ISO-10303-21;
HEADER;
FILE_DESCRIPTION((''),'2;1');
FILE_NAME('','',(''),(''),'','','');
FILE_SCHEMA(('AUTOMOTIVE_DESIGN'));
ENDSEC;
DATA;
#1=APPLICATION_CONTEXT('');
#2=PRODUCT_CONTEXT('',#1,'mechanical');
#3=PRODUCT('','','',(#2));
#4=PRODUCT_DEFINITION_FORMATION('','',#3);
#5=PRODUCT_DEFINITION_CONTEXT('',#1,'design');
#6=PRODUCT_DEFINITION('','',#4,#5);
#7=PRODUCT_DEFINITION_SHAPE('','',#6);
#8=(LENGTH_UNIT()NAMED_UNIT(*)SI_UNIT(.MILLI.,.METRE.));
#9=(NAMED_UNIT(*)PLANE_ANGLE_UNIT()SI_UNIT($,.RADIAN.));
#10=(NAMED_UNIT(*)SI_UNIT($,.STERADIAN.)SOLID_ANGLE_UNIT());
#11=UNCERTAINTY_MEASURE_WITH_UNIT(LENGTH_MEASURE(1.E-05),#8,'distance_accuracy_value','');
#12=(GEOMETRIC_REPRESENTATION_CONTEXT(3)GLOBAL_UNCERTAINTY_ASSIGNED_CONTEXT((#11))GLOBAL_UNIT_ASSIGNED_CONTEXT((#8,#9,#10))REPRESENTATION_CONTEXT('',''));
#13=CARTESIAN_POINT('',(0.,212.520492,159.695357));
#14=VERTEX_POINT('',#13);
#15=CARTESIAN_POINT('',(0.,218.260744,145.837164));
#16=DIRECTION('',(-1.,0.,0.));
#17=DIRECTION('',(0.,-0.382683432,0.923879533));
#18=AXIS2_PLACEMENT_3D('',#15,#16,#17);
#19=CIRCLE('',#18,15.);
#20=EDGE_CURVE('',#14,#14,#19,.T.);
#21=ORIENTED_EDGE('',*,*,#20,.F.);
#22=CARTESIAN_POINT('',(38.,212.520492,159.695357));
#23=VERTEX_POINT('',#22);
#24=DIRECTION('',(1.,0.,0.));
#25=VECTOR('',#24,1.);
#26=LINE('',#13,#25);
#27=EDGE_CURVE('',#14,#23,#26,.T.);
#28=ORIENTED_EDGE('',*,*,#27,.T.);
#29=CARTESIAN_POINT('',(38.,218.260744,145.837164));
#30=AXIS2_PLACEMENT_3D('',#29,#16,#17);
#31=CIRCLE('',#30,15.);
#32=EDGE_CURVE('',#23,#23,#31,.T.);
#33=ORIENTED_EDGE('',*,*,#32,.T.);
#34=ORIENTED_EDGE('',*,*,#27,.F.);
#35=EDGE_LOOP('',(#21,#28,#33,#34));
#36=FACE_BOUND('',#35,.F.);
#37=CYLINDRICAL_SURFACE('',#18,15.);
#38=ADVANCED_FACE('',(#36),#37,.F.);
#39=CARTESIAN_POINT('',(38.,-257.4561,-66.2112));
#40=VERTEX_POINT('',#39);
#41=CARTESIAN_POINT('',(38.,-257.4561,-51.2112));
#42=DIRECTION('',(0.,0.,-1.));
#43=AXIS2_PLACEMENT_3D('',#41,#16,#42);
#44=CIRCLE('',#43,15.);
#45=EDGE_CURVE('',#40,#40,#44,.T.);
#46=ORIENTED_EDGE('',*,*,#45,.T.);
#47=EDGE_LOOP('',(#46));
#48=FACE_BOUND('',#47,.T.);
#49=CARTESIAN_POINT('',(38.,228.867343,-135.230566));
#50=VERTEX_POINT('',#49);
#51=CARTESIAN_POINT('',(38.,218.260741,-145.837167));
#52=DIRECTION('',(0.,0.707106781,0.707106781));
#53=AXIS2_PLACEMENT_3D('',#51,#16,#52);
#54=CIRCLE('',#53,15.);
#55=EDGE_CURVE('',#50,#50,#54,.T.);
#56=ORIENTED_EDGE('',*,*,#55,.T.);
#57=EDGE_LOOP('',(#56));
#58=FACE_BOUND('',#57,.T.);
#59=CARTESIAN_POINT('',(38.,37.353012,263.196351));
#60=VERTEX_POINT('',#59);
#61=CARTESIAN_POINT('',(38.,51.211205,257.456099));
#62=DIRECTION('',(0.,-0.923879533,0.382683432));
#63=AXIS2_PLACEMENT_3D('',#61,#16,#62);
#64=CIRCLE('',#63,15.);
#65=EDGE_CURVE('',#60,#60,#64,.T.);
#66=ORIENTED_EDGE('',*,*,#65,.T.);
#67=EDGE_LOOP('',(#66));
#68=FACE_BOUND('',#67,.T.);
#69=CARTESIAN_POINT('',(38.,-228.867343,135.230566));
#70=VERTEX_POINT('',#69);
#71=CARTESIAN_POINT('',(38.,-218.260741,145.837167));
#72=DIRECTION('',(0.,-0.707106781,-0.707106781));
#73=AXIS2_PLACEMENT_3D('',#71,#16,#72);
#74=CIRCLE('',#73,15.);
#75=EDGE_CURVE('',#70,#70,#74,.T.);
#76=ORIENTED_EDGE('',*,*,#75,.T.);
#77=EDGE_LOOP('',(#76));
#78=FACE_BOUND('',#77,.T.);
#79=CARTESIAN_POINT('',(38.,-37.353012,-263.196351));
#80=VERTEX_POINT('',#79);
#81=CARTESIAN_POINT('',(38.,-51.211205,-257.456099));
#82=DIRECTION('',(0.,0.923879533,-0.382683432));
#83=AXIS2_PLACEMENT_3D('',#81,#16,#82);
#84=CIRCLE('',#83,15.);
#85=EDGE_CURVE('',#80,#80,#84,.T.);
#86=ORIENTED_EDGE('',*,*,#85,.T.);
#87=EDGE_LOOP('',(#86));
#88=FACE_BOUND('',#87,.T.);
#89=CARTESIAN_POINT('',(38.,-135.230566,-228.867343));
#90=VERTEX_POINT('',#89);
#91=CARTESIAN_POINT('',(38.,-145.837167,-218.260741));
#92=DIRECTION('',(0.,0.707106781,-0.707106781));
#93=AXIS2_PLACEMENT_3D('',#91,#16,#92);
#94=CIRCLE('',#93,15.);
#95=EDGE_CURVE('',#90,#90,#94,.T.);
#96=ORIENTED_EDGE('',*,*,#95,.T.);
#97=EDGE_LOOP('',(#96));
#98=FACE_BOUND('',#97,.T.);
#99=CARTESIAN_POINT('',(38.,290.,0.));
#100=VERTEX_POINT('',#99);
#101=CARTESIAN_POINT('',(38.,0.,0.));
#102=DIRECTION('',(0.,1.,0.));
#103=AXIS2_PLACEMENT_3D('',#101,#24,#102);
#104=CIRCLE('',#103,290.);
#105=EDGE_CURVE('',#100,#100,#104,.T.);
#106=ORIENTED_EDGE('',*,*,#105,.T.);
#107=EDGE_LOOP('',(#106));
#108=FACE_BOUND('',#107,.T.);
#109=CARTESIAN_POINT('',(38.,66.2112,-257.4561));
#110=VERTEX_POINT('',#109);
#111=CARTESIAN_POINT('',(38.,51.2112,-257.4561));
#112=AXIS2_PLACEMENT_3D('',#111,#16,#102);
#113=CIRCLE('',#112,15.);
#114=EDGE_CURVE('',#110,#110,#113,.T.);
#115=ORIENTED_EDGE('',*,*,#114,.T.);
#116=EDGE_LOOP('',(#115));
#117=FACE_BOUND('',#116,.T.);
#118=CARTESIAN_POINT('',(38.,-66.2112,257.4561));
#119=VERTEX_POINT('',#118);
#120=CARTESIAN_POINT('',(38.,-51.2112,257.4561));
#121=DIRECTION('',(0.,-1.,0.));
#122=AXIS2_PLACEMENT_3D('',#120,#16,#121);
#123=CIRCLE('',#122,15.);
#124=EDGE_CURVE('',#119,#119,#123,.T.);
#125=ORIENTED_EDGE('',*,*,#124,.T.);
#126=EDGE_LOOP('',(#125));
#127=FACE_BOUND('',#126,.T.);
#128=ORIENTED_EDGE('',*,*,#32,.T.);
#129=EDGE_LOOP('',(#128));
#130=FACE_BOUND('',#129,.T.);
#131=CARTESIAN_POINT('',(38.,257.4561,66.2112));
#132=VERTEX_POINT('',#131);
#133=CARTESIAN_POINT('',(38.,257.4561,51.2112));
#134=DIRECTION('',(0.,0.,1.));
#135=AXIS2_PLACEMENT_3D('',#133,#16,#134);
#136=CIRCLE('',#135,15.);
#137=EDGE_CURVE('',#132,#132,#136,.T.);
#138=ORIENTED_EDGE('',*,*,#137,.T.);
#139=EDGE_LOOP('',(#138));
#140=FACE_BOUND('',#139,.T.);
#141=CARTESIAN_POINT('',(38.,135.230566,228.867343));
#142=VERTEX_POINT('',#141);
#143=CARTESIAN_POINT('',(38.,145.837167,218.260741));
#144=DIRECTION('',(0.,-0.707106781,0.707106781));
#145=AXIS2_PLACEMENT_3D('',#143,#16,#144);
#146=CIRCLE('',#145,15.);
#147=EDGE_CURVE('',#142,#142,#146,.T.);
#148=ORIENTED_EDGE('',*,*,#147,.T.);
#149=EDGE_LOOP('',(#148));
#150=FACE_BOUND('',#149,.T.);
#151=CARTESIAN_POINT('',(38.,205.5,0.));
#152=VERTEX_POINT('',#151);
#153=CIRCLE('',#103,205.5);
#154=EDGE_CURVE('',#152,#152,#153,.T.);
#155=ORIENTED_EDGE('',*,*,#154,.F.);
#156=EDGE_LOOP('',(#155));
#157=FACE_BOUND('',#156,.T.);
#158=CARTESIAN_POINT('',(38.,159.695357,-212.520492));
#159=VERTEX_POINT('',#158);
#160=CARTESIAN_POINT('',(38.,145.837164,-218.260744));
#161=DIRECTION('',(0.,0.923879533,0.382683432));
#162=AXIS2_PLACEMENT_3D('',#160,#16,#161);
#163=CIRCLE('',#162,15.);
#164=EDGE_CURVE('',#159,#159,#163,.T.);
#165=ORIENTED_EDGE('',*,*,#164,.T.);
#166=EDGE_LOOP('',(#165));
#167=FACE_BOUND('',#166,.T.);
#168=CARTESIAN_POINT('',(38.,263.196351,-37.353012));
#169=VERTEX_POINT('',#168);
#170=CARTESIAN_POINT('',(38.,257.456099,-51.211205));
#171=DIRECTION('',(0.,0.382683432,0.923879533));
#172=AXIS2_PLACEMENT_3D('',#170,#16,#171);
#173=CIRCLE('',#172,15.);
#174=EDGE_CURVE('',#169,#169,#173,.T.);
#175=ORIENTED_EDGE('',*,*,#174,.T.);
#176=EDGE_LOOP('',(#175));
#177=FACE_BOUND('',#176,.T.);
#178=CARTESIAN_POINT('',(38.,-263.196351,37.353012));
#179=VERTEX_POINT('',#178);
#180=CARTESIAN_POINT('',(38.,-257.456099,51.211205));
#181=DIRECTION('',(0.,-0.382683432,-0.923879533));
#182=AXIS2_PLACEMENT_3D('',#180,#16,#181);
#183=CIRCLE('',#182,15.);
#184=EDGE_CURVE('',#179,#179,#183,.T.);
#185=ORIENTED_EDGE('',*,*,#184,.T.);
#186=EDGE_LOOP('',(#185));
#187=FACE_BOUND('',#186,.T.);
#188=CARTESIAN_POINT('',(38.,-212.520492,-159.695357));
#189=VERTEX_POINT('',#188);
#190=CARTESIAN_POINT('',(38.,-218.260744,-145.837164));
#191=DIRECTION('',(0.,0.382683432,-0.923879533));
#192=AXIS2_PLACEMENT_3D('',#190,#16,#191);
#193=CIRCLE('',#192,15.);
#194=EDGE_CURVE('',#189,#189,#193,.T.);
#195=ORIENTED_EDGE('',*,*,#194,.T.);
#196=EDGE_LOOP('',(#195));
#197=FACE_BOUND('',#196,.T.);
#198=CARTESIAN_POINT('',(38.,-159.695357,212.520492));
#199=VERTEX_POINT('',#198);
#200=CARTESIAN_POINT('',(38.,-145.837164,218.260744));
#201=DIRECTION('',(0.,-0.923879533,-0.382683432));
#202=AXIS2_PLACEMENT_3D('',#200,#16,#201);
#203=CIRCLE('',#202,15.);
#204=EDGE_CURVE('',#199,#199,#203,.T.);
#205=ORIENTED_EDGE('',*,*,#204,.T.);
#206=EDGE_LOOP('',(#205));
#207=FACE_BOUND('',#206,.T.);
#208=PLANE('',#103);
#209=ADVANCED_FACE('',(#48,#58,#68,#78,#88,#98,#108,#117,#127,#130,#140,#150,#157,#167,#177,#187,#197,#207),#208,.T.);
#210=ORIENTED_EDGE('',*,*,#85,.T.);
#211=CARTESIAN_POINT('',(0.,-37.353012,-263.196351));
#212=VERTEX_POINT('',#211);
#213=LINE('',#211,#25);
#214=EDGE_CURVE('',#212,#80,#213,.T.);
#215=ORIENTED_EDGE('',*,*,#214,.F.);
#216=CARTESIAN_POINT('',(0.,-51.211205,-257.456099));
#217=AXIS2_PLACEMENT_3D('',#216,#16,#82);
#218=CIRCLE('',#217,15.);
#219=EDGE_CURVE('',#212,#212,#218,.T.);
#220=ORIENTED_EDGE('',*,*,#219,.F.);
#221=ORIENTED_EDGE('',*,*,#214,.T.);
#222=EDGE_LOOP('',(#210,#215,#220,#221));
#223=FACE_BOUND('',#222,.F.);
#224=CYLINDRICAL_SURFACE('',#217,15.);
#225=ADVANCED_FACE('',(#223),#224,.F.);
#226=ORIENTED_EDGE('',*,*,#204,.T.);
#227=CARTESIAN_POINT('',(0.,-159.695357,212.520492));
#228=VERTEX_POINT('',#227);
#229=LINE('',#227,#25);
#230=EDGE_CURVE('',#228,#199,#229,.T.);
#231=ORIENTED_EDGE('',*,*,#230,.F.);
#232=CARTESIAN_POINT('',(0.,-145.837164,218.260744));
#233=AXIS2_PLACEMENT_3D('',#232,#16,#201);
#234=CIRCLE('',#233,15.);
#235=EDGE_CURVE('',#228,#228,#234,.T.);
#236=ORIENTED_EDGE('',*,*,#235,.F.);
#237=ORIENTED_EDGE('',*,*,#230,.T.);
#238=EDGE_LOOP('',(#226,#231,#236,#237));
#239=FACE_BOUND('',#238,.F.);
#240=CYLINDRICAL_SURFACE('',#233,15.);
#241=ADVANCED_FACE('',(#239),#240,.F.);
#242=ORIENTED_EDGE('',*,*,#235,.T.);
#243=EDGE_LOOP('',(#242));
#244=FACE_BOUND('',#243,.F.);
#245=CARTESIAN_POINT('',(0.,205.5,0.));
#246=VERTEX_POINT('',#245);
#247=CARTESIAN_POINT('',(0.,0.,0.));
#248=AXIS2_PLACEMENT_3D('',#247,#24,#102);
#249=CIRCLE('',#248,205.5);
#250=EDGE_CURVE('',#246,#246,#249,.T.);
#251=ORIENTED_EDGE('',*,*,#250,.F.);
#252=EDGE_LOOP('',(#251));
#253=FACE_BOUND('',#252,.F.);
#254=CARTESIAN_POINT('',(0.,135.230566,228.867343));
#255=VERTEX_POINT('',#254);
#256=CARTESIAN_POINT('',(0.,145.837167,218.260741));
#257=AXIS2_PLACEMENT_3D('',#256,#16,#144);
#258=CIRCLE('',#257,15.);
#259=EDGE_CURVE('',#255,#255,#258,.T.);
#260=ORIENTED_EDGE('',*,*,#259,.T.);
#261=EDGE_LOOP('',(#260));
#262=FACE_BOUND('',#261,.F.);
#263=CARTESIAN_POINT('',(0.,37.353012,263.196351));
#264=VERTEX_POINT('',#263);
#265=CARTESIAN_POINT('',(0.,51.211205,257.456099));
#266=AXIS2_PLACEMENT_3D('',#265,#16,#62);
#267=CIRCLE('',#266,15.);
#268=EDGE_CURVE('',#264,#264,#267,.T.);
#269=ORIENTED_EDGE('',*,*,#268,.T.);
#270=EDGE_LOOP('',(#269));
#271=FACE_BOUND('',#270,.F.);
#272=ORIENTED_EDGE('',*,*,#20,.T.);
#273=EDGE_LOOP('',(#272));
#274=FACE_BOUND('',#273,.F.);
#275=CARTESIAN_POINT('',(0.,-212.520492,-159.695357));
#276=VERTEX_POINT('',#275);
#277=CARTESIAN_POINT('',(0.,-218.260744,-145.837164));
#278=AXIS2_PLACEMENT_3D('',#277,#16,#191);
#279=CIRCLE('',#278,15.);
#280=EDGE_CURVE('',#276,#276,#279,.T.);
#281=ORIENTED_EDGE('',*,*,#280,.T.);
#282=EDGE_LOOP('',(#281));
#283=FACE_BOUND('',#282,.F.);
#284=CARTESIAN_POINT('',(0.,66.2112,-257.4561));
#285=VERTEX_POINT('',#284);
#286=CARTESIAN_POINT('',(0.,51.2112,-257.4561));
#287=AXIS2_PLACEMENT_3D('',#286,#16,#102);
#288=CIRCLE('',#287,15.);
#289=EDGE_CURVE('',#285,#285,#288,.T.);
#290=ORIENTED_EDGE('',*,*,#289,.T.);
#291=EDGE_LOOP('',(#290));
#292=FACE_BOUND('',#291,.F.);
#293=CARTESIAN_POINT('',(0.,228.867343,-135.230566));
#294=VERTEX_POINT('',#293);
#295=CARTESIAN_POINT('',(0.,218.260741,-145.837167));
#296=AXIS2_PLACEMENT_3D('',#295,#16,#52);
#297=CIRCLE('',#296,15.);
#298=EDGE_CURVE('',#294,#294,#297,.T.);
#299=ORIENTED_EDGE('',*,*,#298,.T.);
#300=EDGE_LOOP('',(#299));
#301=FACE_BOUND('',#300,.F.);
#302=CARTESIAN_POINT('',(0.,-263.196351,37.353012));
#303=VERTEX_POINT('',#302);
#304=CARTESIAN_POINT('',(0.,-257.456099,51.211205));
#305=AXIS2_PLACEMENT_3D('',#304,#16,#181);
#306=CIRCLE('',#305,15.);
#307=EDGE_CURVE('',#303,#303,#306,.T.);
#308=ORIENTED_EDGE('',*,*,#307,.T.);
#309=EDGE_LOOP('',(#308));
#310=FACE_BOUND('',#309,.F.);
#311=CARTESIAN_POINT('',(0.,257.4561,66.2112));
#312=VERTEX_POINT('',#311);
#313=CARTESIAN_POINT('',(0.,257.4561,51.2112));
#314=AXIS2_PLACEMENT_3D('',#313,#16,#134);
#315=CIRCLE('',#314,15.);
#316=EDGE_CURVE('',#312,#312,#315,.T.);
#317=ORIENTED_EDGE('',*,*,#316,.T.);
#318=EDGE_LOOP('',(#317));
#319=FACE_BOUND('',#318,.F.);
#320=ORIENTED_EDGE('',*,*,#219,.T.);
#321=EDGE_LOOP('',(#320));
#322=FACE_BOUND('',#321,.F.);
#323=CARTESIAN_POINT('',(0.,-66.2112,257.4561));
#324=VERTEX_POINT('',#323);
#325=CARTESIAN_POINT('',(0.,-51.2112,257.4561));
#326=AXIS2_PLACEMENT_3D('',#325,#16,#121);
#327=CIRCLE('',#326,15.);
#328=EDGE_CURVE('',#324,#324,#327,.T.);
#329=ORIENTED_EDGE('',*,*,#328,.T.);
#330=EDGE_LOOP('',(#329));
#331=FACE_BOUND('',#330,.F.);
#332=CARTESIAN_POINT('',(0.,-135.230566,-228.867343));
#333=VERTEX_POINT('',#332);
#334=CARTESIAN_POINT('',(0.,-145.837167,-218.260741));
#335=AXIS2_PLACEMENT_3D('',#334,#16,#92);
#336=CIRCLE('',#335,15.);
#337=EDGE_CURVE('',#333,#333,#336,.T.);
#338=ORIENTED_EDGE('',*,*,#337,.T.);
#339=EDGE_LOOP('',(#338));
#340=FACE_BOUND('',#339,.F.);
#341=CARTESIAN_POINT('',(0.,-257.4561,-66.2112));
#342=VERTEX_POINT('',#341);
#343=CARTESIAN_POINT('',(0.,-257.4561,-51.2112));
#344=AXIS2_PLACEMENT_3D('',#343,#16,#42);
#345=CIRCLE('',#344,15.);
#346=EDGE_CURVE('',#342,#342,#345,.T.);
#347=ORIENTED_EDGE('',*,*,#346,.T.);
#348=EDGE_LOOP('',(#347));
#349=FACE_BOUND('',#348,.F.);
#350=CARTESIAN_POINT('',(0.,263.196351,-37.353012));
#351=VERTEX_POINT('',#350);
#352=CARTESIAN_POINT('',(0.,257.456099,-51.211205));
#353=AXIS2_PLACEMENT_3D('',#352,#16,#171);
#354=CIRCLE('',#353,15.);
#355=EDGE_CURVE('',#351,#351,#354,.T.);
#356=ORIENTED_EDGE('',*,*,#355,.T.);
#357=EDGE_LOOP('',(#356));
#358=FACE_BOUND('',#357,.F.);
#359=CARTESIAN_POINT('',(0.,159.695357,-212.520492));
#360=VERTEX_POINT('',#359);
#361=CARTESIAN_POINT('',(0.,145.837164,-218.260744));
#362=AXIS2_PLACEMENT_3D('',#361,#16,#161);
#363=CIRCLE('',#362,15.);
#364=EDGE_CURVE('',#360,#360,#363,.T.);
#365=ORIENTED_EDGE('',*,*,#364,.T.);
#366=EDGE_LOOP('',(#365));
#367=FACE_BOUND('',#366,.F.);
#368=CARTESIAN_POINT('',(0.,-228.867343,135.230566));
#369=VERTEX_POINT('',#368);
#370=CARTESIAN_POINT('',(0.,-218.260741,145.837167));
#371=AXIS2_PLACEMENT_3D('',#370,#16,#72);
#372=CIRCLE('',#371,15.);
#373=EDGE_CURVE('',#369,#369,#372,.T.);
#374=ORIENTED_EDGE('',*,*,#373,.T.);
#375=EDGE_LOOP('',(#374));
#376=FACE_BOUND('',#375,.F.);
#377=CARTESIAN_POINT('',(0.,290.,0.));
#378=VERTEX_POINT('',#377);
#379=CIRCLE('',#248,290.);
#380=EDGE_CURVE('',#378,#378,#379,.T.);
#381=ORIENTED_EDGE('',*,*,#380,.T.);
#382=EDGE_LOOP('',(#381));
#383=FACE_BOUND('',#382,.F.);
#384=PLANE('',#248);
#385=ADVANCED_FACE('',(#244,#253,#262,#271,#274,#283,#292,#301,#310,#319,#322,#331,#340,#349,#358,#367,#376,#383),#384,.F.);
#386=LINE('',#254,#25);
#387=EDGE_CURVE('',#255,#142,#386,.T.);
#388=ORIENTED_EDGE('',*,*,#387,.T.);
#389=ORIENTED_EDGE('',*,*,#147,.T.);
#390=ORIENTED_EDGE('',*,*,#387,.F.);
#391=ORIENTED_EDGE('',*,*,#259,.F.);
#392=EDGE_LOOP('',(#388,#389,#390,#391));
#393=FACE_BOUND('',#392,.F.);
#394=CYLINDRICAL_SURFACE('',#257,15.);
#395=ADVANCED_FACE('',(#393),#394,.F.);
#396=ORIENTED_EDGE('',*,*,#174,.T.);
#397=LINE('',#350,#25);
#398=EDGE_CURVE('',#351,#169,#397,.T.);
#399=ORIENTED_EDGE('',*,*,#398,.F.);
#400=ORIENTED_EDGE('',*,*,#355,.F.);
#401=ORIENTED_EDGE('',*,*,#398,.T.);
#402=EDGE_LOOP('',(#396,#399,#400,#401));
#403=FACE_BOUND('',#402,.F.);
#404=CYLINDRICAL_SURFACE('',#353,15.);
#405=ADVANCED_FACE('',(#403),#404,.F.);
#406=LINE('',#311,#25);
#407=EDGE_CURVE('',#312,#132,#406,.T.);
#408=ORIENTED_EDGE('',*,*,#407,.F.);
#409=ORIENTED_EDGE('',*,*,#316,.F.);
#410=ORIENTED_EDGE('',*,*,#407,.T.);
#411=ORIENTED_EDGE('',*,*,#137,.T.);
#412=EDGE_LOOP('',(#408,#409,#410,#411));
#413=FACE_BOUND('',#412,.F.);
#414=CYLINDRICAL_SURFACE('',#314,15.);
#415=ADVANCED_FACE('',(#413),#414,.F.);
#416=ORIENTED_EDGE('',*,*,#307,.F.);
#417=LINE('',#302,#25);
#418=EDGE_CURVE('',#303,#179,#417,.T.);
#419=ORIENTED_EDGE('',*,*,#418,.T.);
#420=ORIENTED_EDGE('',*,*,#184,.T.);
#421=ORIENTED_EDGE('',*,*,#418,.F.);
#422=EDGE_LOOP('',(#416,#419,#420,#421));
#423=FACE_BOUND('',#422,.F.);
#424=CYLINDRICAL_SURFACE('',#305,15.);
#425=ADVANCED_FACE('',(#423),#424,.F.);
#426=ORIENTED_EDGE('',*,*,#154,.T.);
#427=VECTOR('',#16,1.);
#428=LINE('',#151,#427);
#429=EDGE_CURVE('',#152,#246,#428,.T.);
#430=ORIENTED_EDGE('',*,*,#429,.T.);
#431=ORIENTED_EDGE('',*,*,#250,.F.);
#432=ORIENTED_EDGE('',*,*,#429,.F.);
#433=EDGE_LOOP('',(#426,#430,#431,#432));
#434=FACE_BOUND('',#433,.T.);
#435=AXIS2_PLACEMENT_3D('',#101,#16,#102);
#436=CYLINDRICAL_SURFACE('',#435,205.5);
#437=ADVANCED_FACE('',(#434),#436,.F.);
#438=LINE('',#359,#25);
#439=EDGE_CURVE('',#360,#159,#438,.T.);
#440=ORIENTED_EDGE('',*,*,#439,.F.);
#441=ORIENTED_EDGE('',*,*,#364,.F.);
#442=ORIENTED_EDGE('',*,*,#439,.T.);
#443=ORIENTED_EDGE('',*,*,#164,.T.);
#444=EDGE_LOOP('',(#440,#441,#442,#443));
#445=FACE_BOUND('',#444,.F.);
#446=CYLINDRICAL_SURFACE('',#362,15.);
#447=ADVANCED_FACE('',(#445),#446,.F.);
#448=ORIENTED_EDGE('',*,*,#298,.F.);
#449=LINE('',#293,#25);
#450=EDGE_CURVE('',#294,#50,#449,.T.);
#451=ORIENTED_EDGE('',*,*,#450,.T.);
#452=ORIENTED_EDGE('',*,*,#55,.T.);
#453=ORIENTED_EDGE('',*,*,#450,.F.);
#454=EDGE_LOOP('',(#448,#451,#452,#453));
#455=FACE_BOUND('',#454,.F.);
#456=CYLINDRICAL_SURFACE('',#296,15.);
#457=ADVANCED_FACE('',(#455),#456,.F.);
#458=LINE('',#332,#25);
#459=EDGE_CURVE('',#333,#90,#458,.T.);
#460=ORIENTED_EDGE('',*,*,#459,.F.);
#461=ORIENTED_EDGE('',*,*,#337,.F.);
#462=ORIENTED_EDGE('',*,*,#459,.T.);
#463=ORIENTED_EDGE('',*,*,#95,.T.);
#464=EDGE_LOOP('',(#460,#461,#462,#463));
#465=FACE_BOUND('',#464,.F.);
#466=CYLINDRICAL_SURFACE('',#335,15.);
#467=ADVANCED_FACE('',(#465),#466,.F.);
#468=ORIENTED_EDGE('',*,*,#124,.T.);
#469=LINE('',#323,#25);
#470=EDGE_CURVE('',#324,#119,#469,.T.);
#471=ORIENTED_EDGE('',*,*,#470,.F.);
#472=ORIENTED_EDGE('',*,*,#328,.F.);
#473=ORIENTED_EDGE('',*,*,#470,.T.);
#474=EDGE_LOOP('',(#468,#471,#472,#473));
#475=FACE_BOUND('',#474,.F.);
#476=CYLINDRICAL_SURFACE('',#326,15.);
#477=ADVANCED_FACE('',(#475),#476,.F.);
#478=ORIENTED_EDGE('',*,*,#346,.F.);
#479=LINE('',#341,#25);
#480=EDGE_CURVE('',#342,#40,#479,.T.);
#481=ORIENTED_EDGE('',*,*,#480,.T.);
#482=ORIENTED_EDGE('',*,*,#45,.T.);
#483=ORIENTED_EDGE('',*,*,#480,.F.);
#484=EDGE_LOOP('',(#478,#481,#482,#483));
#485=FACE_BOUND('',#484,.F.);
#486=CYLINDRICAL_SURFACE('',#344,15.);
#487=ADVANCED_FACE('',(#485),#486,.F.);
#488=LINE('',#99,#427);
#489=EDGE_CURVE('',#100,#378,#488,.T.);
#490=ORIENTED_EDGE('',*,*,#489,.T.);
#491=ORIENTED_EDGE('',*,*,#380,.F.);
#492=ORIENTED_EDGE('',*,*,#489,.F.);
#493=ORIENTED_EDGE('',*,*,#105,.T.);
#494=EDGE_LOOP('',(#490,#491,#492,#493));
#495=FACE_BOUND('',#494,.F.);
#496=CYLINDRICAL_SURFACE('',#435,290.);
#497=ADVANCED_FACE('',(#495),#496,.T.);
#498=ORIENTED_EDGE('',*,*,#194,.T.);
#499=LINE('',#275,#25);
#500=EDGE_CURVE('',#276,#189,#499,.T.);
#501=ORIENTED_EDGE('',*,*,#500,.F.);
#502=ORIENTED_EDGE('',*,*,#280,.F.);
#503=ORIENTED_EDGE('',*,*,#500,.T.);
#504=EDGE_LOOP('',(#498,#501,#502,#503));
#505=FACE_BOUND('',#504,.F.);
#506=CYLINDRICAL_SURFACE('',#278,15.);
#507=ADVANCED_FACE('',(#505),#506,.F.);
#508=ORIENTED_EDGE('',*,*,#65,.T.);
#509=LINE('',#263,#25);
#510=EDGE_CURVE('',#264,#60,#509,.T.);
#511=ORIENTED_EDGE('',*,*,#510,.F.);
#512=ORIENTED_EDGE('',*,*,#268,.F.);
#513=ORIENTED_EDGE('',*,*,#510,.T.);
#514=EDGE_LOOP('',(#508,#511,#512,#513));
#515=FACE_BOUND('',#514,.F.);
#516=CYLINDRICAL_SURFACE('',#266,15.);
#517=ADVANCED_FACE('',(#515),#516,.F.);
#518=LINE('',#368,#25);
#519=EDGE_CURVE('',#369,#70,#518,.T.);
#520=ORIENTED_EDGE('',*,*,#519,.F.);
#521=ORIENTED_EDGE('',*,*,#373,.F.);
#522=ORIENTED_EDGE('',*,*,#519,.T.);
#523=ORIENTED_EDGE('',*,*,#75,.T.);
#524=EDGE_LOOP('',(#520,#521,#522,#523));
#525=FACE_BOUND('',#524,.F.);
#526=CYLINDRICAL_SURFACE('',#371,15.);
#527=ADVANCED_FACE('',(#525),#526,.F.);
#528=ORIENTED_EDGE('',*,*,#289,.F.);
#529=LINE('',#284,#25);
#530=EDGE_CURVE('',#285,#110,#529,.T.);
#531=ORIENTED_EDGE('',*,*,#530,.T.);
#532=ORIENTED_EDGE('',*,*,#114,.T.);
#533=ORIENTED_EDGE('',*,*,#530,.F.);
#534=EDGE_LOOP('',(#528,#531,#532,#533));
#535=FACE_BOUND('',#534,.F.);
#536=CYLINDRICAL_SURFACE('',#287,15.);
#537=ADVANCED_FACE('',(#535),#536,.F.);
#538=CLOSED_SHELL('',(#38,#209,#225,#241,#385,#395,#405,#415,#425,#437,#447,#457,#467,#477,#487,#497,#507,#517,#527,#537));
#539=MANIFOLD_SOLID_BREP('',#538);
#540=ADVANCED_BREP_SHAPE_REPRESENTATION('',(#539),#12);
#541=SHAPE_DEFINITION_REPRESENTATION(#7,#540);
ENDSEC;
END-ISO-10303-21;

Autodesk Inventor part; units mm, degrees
ref_plane "YZ Plane" through (0, 0, 0) normal (1, 0, 0) x (0, 1, 0)
ref_plane "XZ Plane" through (0, 0, 0) normal (0, 1, 0) x (-1, 0, 0)
ref_plane "XY Plane" through (0, 0, 0) normal (0, 0, 1) x (1, 0, 0)
sketch "Sketch1" plane through (0, 0, 0) normal (0, 0, 1) x (1, 0, 0)
  line L0 (38, 290) -> (0, 290)
  line L1 (0, 290) -> (0, 205.5)
  line L2 (0, 205.5) -> (0, 0) construction
  line L3 (0, 0) -> (38, 0) construction
  line L4 (38, 290) -> (38, 205.5)
  line L5 (38, 205.5) -> (0, 205.5)
  line L6 (38, 205.5) -> (38, 0) construction
  dimension "d0" = 580
  dimension "d1" = 38
  dimension "d5" = 411
revolve "Revolution1" add sketch "Sketch1" angle 360 about axis through (0, 0, 0) along (1, 0, 0)
sketch "Sketch2" plane through (0, 0, 0) normal (-1, 0, 0) x (0, 0, 1)
  circle A0 centre (0, 0) radius 205.5 projected
  line L0 (0, 262.5) -> (0, 0) construction
  circle A1 centre (0, 0) radius 290 projected
  circle A2 centre (0, 0) radius 262.5 construction
  line L1 (0, 0) -> (51.2112, 257.4561) construction
  circle A3 centre (51.2112, 257.4561) radius 15
  dimension "d6" = 30
  dimension "d7" = 262.5
  dimension "d8" = 11.25
extrude "Extrusion1" cut sketch "Sketch2" against normal through all contours A3
pattern_circular "Circular Pattern1" count 16 over 360 about axis through (19, 0, 0) along (1, 0, 0) of "Extrusion1"
equation "\"d6\" = dd2"
equation "\"d7\" = 0.5 * k"
equation "\"d0\" = D"
equation "\"d1\" = b"
equation "\"d5\" = dd5"
equation "\"b\" = 38"
equation "\"D\" = 580"
equation "\"k\" = 525"
equation "\"dd2\" = 30"
equation "\"dd5\" = 411"
equation "\"Size_Designation\" = 1.2345"
properties part number "DIN EN 1092-1 Plate Flange for Welding Type 01 - PN 16 400 x 406.4(1)" material "Steel"
